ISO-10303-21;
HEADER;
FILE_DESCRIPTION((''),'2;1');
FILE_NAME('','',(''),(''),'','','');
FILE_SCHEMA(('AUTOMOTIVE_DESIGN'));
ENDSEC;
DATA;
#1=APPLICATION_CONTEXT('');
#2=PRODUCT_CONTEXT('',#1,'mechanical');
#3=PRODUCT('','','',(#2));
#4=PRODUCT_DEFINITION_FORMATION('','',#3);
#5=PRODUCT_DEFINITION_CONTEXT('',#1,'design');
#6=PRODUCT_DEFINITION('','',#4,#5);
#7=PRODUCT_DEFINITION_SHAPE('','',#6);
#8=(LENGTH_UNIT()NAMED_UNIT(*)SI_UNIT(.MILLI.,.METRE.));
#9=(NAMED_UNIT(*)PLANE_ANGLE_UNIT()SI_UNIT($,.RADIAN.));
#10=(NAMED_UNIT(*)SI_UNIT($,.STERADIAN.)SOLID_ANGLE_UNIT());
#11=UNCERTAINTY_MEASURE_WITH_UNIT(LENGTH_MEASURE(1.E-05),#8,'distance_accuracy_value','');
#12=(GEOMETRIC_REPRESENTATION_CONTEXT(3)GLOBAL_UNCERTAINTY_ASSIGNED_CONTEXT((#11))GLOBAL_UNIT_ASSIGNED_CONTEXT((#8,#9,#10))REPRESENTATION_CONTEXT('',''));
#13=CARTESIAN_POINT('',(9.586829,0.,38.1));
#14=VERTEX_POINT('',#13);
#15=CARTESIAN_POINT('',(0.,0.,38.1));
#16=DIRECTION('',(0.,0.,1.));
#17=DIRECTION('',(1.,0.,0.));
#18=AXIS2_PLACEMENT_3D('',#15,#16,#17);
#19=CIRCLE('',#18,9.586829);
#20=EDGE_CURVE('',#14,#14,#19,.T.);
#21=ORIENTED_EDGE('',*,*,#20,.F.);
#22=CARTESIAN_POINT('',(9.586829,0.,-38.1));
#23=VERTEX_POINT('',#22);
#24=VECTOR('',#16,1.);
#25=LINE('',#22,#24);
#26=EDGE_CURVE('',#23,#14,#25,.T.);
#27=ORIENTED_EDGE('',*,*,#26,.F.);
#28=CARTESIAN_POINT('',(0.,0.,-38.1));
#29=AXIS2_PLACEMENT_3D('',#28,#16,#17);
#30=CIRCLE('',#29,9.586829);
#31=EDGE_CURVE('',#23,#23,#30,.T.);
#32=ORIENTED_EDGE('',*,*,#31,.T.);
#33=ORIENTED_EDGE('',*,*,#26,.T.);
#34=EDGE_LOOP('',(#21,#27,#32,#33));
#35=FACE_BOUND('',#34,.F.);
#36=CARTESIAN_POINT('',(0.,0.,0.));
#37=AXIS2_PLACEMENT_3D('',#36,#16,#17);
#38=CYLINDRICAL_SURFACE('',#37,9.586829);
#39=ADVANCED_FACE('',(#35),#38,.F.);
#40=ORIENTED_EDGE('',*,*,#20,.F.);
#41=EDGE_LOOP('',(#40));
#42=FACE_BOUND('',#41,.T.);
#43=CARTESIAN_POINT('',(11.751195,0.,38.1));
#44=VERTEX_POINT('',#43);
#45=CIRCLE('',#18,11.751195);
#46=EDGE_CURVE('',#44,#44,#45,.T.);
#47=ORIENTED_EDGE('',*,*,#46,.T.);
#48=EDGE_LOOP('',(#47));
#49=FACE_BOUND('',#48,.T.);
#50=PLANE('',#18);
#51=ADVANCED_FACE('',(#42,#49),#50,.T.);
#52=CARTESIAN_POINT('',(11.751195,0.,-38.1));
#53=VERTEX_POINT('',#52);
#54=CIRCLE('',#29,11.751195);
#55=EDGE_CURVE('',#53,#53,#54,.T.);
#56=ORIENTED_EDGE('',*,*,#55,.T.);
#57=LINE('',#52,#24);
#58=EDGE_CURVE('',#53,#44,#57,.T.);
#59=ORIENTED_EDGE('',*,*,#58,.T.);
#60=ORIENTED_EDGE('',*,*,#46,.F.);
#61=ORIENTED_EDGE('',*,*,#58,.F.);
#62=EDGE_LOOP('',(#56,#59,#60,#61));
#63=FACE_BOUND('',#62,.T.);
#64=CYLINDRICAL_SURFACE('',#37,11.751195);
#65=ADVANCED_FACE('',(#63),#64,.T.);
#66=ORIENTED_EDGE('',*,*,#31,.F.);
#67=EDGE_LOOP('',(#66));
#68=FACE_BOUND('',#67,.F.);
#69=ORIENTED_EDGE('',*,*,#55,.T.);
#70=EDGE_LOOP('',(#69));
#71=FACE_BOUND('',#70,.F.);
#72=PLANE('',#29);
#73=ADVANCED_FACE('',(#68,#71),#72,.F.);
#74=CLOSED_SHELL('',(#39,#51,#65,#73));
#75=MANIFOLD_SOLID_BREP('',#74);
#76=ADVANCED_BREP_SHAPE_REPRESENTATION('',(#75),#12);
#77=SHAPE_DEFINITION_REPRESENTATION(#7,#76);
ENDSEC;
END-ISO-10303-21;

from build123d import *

# Parameters (mm, degrees)
F0_R     = 11.751195
F1_DEPTH = 38.1
F2_R     = 9.586829
F3_DEPTH = 38.1


with BuildPart() as f1:
    # F0 (on Top) → F1 (new body, symmetric)
    with BuildSketch(Plane.XY):
        Circle(F0_R)
    extrude(amount=F1_DEPTH, both=True)

    # F2 (on Top) → F3 (cut, symmetric)
    with BuildSketch(Plane.XY):
        Circle(F2_R)
    extrude(amount=F3_DEPTH, both=True, mode=Mode.SUBTRACT)


solid = f1.part
